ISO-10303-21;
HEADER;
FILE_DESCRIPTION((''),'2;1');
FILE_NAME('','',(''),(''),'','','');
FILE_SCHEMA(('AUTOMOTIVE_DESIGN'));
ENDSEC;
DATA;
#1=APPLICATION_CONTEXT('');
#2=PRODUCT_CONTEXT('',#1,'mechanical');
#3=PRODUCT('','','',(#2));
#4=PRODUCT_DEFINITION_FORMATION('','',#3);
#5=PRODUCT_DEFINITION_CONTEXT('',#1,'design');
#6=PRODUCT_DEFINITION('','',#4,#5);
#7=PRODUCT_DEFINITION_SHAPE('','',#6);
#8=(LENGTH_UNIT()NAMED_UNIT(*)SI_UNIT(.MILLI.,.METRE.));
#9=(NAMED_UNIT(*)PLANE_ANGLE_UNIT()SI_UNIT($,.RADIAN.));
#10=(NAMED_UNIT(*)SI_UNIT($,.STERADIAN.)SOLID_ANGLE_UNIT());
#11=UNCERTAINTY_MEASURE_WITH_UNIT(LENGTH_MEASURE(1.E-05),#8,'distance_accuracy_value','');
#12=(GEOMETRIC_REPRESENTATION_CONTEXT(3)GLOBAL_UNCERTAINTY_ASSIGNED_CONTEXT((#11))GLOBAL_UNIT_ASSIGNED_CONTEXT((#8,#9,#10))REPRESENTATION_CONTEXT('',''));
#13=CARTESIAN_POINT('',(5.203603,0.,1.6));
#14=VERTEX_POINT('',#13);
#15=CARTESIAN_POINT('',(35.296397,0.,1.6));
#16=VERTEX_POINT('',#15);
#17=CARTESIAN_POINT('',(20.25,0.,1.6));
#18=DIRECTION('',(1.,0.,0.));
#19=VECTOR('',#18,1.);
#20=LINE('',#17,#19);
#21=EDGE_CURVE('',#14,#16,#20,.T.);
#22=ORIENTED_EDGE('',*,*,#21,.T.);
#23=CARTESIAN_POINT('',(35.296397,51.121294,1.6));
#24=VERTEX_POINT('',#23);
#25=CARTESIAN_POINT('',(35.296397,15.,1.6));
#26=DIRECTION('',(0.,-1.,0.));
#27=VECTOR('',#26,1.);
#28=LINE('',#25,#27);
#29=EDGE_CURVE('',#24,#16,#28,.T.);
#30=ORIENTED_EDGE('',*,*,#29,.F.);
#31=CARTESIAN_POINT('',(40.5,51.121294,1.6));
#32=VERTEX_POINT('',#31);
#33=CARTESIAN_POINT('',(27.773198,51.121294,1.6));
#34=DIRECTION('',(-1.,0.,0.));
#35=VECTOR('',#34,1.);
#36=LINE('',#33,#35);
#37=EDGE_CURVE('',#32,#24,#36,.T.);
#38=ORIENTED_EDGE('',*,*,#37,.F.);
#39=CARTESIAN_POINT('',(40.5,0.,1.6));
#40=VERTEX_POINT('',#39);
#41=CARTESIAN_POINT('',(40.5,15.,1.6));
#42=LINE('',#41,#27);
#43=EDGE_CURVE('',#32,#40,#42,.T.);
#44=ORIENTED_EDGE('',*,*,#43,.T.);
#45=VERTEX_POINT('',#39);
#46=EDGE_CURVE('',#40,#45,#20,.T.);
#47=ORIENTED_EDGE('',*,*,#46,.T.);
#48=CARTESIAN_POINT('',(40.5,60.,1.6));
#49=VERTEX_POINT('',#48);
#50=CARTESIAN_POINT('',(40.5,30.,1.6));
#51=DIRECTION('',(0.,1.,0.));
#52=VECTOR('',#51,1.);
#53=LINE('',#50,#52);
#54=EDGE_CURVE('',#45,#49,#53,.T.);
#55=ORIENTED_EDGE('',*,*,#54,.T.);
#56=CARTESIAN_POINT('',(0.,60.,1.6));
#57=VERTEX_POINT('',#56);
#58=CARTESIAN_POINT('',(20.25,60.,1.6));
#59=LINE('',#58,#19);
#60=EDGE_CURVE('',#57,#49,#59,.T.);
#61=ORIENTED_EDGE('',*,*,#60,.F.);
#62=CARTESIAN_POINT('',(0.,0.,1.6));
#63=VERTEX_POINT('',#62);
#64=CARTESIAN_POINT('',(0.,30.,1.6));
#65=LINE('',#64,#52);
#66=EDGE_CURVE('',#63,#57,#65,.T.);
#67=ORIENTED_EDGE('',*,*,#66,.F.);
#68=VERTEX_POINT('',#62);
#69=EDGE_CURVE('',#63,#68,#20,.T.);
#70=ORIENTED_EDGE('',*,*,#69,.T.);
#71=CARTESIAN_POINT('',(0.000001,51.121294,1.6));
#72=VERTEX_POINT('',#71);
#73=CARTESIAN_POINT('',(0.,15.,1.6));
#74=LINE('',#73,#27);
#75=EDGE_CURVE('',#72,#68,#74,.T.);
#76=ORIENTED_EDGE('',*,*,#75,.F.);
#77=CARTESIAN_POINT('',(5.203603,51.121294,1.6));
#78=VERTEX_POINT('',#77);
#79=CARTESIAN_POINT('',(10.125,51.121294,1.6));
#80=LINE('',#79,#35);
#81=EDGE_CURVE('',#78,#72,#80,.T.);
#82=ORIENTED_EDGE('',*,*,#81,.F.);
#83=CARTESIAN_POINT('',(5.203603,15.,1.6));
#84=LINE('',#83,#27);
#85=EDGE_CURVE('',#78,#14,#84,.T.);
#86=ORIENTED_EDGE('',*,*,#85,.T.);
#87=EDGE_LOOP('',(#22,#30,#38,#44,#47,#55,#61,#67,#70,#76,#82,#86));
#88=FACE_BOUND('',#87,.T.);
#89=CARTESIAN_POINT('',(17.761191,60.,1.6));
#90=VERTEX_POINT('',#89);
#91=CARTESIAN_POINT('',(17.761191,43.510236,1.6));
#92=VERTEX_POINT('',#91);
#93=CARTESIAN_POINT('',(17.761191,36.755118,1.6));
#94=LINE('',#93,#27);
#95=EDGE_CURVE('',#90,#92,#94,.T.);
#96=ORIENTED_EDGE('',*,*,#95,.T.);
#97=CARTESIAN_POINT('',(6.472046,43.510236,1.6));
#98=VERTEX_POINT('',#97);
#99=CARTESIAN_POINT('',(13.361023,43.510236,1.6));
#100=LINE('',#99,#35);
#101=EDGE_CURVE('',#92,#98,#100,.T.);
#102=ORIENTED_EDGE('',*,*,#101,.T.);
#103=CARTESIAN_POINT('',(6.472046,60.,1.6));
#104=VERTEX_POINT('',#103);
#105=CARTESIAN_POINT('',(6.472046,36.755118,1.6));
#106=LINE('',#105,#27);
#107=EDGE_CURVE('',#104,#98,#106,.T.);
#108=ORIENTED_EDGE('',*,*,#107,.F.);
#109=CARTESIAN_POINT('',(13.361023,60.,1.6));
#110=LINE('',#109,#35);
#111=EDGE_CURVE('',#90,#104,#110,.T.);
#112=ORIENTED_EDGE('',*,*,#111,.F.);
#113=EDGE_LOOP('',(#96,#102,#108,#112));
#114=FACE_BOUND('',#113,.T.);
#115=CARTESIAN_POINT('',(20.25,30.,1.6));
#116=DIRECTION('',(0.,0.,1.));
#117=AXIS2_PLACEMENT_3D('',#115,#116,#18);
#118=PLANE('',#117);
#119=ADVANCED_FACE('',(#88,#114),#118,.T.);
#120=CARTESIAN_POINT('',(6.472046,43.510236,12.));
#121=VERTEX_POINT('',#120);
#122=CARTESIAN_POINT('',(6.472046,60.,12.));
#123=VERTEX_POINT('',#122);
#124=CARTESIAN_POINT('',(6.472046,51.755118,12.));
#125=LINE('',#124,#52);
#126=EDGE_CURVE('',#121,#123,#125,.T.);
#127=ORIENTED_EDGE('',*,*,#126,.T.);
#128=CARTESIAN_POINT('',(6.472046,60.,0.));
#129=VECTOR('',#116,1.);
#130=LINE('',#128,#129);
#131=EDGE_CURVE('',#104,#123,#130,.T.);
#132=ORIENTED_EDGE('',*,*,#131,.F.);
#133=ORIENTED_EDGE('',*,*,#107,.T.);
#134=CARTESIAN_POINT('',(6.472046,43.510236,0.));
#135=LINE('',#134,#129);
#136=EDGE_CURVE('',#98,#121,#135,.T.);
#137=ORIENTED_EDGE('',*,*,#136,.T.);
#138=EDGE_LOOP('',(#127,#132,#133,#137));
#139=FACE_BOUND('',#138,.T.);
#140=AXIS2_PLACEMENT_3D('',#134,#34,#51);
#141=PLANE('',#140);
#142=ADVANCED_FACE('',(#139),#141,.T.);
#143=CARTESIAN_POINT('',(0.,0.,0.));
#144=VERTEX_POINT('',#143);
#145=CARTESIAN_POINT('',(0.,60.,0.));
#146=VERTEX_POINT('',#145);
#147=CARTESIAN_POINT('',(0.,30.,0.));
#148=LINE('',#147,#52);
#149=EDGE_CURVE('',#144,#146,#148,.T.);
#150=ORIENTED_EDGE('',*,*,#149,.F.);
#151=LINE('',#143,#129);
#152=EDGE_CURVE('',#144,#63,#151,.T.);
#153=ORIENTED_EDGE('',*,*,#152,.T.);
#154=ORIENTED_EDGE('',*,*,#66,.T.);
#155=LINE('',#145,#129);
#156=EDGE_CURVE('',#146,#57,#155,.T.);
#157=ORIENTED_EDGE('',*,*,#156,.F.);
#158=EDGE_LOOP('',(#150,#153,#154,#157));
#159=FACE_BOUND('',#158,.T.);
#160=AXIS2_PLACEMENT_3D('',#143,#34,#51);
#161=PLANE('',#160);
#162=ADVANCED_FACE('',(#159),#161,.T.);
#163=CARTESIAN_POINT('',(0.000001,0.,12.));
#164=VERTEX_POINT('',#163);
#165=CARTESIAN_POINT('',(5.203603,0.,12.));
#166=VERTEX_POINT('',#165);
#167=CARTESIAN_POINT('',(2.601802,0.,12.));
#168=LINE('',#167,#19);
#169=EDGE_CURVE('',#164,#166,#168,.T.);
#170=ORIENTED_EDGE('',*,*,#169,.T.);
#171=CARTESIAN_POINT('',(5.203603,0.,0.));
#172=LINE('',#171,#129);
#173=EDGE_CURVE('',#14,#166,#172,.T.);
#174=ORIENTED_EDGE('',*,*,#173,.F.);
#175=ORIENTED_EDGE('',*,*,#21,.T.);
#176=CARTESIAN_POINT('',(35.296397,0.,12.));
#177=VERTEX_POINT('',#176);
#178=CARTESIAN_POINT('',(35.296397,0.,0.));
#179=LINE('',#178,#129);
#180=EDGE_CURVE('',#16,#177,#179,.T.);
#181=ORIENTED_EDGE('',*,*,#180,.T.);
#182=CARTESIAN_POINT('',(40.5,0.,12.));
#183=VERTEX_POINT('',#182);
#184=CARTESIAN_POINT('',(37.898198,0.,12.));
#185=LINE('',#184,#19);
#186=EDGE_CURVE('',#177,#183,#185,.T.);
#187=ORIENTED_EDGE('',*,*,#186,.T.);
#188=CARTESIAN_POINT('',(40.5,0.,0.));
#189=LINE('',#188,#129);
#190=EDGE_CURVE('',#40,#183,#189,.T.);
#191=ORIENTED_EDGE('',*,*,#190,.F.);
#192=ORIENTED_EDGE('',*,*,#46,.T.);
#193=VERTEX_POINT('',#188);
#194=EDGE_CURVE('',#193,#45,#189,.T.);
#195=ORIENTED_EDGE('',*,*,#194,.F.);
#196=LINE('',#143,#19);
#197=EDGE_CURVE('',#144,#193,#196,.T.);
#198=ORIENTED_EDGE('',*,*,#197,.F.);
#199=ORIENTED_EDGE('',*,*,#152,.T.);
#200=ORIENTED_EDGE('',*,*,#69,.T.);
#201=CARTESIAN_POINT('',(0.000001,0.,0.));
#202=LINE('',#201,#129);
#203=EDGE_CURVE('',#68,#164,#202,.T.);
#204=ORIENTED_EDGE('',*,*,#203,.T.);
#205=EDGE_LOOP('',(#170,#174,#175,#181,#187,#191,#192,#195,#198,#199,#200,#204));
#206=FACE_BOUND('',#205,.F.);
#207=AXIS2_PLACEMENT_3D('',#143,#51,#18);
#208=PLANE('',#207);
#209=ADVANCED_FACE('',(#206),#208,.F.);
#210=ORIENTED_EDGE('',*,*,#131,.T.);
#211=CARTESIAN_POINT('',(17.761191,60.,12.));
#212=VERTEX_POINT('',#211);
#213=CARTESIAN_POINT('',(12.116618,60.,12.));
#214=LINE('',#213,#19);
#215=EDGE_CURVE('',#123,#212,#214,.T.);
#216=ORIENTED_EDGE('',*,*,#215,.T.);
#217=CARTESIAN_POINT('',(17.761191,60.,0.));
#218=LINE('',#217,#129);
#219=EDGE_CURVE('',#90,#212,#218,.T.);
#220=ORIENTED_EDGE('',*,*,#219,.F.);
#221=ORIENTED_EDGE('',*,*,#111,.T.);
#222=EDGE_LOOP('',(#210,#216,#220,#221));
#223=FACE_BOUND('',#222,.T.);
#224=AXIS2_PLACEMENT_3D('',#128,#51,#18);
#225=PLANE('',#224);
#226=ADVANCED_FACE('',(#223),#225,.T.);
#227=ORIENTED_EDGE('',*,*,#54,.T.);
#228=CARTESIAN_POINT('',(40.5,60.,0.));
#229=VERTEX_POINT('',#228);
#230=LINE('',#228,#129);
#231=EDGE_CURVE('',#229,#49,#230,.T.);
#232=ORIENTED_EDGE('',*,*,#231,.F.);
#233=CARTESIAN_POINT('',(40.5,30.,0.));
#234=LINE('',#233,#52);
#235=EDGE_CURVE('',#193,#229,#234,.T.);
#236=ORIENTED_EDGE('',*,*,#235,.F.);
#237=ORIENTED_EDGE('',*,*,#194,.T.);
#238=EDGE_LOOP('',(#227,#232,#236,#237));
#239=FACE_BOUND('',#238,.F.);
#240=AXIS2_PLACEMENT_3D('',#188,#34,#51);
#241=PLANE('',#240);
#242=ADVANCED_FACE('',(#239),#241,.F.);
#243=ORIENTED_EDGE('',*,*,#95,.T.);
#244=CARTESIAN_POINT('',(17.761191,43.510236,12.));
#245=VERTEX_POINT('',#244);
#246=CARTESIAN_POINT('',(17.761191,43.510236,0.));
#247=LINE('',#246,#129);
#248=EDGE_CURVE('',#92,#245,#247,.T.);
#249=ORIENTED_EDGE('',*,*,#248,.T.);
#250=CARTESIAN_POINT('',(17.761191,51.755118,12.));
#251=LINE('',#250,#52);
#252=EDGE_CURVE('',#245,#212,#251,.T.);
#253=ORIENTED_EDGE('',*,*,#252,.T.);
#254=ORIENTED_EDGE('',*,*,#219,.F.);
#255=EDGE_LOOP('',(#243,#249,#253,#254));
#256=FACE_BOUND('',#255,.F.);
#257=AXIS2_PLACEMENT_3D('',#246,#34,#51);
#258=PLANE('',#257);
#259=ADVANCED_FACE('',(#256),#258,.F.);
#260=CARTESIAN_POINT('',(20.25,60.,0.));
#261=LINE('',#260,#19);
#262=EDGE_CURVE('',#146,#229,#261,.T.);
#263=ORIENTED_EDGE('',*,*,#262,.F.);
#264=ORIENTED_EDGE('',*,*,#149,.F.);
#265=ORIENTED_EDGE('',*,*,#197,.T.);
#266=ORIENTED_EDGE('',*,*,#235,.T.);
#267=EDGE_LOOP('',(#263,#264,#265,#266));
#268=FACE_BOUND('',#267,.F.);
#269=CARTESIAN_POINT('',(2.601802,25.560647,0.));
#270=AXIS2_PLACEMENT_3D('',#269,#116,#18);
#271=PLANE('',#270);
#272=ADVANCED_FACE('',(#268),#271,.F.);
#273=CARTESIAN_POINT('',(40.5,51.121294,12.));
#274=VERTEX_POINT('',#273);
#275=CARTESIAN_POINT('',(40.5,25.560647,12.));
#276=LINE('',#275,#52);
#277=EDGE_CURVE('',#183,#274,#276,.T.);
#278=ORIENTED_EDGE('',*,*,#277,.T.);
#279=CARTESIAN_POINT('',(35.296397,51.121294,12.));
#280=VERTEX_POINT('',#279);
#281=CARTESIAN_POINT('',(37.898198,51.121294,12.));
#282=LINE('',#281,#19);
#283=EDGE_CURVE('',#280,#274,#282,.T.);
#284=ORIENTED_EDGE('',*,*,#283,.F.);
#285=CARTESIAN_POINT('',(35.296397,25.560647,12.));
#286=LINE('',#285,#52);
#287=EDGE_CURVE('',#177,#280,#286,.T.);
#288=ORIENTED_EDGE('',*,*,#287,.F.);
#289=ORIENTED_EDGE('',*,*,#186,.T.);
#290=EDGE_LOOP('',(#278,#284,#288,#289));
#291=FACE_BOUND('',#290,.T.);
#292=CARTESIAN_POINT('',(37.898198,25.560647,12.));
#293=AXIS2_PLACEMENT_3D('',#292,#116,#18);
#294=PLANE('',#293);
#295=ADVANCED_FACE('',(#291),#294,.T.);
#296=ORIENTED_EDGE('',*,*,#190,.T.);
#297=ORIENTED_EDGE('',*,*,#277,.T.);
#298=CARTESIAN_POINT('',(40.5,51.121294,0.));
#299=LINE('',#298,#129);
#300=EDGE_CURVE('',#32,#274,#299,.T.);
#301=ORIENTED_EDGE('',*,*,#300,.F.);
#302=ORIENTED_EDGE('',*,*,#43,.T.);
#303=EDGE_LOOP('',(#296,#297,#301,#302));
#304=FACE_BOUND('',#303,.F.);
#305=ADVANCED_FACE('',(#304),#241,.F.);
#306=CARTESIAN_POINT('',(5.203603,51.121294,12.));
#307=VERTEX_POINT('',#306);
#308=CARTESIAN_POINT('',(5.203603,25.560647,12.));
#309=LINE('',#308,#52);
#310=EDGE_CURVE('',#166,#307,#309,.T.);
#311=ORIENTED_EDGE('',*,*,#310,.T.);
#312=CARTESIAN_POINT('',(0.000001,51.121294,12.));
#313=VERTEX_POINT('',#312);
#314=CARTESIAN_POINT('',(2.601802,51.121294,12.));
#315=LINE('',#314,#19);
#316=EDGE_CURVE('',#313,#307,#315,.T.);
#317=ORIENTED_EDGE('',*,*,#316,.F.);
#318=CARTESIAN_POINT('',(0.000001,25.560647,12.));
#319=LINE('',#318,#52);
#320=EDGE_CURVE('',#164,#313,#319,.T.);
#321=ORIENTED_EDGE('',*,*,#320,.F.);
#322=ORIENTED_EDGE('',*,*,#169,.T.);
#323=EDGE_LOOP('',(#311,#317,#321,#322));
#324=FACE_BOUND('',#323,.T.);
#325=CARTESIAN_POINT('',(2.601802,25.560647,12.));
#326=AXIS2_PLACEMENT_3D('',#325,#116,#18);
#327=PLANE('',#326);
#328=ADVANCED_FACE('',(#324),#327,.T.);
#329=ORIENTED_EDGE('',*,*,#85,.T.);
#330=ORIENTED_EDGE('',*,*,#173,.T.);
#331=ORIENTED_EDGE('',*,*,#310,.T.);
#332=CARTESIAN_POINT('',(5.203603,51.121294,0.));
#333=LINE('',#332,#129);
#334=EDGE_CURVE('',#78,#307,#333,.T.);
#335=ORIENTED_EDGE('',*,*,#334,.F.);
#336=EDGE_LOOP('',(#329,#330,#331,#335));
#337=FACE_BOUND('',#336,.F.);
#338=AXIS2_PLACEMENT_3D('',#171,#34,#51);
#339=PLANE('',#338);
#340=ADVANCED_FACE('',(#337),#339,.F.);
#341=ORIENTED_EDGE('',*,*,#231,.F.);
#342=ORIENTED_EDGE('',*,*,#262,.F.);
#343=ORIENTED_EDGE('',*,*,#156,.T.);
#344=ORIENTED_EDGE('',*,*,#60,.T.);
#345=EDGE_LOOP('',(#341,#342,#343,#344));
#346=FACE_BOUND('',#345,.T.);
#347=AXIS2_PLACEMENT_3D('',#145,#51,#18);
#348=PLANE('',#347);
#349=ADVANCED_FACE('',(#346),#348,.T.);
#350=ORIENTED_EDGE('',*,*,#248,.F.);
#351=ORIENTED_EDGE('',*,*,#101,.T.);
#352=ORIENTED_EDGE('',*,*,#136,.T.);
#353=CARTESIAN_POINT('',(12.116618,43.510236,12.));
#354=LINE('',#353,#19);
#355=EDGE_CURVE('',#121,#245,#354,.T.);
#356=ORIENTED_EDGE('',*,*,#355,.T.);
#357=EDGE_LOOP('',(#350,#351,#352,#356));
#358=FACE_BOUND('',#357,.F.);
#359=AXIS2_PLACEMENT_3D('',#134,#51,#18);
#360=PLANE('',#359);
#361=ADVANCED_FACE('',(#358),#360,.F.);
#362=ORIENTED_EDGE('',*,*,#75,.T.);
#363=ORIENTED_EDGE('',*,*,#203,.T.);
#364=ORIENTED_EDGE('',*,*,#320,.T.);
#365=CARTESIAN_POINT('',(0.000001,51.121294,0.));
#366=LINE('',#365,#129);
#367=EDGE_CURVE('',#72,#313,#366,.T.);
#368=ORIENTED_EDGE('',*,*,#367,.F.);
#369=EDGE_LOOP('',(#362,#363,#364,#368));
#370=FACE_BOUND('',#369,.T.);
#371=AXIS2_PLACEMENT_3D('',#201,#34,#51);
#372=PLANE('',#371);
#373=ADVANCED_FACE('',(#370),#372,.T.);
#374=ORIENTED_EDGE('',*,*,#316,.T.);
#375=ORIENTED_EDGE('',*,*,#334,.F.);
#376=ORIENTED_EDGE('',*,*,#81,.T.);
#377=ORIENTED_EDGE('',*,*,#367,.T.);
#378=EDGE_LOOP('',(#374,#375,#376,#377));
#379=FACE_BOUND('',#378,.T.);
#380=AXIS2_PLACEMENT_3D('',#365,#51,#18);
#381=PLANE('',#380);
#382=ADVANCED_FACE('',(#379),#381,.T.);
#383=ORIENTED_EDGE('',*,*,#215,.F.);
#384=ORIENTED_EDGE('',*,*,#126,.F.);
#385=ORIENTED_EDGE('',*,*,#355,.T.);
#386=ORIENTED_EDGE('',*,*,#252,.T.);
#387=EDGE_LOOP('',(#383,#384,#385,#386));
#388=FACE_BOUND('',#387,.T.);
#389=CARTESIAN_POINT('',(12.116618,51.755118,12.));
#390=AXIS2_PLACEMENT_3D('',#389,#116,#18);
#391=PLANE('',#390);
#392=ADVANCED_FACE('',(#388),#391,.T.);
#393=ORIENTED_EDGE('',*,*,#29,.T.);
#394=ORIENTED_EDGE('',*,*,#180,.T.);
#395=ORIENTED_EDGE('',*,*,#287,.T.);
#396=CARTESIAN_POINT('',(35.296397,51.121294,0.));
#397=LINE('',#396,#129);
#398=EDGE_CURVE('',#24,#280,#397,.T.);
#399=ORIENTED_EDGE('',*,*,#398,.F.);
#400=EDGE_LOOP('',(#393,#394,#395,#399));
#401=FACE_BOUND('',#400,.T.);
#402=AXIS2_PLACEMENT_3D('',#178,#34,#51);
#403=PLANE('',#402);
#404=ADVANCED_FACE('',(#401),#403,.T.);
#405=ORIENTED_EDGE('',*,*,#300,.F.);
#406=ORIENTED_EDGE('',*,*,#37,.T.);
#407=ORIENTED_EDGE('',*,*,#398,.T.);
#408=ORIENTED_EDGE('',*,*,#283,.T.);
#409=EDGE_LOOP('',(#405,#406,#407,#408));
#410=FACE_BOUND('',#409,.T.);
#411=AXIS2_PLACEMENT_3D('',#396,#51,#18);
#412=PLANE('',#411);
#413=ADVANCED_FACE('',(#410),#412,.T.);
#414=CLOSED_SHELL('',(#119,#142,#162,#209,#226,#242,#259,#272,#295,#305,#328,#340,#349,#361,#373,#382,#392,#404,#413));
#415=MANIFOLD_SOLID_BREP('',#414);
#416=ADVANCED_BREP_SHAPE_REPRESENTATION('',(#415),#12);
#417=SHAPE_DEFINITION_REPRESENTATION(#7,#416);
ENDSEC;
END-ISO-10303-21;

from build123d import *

# Parameters (mm, degrees)
F0_W     = 40.5
F0_H     = 60
F1_DEPTH = 1.6
F2_W     = 5.203603
F2_H     = 51.121294
F2_W_2   = 11.289145
F2_H_2   = 16.489763
F3_DEPTH = 12


with BuildPart() as f1:
    # F0 (on Top) → F1 (new body)
    with BuildSketch(Plane.XY):
        with Locations((20.25, 30)):
            Rectangle(F0_W, F0_H)
    extrude(amount=F1_DEPTH)

    # F2 (on Top) → F3 (join)
    with BuildSketch(Plane.XY):
        with Locations((2.601802, 25.560647)):
            Rectangle(F2_W, F2_H)
        with Locations((37.898198, 25.560647)):
            Rectangle(F2_W, F2_H)
        with Locations((12.116618, 51.755118)):
            Rectangle(F2_W_2, F2_H_2)
    extrude(amount=F3_DEPTH)


solid = f1.part
